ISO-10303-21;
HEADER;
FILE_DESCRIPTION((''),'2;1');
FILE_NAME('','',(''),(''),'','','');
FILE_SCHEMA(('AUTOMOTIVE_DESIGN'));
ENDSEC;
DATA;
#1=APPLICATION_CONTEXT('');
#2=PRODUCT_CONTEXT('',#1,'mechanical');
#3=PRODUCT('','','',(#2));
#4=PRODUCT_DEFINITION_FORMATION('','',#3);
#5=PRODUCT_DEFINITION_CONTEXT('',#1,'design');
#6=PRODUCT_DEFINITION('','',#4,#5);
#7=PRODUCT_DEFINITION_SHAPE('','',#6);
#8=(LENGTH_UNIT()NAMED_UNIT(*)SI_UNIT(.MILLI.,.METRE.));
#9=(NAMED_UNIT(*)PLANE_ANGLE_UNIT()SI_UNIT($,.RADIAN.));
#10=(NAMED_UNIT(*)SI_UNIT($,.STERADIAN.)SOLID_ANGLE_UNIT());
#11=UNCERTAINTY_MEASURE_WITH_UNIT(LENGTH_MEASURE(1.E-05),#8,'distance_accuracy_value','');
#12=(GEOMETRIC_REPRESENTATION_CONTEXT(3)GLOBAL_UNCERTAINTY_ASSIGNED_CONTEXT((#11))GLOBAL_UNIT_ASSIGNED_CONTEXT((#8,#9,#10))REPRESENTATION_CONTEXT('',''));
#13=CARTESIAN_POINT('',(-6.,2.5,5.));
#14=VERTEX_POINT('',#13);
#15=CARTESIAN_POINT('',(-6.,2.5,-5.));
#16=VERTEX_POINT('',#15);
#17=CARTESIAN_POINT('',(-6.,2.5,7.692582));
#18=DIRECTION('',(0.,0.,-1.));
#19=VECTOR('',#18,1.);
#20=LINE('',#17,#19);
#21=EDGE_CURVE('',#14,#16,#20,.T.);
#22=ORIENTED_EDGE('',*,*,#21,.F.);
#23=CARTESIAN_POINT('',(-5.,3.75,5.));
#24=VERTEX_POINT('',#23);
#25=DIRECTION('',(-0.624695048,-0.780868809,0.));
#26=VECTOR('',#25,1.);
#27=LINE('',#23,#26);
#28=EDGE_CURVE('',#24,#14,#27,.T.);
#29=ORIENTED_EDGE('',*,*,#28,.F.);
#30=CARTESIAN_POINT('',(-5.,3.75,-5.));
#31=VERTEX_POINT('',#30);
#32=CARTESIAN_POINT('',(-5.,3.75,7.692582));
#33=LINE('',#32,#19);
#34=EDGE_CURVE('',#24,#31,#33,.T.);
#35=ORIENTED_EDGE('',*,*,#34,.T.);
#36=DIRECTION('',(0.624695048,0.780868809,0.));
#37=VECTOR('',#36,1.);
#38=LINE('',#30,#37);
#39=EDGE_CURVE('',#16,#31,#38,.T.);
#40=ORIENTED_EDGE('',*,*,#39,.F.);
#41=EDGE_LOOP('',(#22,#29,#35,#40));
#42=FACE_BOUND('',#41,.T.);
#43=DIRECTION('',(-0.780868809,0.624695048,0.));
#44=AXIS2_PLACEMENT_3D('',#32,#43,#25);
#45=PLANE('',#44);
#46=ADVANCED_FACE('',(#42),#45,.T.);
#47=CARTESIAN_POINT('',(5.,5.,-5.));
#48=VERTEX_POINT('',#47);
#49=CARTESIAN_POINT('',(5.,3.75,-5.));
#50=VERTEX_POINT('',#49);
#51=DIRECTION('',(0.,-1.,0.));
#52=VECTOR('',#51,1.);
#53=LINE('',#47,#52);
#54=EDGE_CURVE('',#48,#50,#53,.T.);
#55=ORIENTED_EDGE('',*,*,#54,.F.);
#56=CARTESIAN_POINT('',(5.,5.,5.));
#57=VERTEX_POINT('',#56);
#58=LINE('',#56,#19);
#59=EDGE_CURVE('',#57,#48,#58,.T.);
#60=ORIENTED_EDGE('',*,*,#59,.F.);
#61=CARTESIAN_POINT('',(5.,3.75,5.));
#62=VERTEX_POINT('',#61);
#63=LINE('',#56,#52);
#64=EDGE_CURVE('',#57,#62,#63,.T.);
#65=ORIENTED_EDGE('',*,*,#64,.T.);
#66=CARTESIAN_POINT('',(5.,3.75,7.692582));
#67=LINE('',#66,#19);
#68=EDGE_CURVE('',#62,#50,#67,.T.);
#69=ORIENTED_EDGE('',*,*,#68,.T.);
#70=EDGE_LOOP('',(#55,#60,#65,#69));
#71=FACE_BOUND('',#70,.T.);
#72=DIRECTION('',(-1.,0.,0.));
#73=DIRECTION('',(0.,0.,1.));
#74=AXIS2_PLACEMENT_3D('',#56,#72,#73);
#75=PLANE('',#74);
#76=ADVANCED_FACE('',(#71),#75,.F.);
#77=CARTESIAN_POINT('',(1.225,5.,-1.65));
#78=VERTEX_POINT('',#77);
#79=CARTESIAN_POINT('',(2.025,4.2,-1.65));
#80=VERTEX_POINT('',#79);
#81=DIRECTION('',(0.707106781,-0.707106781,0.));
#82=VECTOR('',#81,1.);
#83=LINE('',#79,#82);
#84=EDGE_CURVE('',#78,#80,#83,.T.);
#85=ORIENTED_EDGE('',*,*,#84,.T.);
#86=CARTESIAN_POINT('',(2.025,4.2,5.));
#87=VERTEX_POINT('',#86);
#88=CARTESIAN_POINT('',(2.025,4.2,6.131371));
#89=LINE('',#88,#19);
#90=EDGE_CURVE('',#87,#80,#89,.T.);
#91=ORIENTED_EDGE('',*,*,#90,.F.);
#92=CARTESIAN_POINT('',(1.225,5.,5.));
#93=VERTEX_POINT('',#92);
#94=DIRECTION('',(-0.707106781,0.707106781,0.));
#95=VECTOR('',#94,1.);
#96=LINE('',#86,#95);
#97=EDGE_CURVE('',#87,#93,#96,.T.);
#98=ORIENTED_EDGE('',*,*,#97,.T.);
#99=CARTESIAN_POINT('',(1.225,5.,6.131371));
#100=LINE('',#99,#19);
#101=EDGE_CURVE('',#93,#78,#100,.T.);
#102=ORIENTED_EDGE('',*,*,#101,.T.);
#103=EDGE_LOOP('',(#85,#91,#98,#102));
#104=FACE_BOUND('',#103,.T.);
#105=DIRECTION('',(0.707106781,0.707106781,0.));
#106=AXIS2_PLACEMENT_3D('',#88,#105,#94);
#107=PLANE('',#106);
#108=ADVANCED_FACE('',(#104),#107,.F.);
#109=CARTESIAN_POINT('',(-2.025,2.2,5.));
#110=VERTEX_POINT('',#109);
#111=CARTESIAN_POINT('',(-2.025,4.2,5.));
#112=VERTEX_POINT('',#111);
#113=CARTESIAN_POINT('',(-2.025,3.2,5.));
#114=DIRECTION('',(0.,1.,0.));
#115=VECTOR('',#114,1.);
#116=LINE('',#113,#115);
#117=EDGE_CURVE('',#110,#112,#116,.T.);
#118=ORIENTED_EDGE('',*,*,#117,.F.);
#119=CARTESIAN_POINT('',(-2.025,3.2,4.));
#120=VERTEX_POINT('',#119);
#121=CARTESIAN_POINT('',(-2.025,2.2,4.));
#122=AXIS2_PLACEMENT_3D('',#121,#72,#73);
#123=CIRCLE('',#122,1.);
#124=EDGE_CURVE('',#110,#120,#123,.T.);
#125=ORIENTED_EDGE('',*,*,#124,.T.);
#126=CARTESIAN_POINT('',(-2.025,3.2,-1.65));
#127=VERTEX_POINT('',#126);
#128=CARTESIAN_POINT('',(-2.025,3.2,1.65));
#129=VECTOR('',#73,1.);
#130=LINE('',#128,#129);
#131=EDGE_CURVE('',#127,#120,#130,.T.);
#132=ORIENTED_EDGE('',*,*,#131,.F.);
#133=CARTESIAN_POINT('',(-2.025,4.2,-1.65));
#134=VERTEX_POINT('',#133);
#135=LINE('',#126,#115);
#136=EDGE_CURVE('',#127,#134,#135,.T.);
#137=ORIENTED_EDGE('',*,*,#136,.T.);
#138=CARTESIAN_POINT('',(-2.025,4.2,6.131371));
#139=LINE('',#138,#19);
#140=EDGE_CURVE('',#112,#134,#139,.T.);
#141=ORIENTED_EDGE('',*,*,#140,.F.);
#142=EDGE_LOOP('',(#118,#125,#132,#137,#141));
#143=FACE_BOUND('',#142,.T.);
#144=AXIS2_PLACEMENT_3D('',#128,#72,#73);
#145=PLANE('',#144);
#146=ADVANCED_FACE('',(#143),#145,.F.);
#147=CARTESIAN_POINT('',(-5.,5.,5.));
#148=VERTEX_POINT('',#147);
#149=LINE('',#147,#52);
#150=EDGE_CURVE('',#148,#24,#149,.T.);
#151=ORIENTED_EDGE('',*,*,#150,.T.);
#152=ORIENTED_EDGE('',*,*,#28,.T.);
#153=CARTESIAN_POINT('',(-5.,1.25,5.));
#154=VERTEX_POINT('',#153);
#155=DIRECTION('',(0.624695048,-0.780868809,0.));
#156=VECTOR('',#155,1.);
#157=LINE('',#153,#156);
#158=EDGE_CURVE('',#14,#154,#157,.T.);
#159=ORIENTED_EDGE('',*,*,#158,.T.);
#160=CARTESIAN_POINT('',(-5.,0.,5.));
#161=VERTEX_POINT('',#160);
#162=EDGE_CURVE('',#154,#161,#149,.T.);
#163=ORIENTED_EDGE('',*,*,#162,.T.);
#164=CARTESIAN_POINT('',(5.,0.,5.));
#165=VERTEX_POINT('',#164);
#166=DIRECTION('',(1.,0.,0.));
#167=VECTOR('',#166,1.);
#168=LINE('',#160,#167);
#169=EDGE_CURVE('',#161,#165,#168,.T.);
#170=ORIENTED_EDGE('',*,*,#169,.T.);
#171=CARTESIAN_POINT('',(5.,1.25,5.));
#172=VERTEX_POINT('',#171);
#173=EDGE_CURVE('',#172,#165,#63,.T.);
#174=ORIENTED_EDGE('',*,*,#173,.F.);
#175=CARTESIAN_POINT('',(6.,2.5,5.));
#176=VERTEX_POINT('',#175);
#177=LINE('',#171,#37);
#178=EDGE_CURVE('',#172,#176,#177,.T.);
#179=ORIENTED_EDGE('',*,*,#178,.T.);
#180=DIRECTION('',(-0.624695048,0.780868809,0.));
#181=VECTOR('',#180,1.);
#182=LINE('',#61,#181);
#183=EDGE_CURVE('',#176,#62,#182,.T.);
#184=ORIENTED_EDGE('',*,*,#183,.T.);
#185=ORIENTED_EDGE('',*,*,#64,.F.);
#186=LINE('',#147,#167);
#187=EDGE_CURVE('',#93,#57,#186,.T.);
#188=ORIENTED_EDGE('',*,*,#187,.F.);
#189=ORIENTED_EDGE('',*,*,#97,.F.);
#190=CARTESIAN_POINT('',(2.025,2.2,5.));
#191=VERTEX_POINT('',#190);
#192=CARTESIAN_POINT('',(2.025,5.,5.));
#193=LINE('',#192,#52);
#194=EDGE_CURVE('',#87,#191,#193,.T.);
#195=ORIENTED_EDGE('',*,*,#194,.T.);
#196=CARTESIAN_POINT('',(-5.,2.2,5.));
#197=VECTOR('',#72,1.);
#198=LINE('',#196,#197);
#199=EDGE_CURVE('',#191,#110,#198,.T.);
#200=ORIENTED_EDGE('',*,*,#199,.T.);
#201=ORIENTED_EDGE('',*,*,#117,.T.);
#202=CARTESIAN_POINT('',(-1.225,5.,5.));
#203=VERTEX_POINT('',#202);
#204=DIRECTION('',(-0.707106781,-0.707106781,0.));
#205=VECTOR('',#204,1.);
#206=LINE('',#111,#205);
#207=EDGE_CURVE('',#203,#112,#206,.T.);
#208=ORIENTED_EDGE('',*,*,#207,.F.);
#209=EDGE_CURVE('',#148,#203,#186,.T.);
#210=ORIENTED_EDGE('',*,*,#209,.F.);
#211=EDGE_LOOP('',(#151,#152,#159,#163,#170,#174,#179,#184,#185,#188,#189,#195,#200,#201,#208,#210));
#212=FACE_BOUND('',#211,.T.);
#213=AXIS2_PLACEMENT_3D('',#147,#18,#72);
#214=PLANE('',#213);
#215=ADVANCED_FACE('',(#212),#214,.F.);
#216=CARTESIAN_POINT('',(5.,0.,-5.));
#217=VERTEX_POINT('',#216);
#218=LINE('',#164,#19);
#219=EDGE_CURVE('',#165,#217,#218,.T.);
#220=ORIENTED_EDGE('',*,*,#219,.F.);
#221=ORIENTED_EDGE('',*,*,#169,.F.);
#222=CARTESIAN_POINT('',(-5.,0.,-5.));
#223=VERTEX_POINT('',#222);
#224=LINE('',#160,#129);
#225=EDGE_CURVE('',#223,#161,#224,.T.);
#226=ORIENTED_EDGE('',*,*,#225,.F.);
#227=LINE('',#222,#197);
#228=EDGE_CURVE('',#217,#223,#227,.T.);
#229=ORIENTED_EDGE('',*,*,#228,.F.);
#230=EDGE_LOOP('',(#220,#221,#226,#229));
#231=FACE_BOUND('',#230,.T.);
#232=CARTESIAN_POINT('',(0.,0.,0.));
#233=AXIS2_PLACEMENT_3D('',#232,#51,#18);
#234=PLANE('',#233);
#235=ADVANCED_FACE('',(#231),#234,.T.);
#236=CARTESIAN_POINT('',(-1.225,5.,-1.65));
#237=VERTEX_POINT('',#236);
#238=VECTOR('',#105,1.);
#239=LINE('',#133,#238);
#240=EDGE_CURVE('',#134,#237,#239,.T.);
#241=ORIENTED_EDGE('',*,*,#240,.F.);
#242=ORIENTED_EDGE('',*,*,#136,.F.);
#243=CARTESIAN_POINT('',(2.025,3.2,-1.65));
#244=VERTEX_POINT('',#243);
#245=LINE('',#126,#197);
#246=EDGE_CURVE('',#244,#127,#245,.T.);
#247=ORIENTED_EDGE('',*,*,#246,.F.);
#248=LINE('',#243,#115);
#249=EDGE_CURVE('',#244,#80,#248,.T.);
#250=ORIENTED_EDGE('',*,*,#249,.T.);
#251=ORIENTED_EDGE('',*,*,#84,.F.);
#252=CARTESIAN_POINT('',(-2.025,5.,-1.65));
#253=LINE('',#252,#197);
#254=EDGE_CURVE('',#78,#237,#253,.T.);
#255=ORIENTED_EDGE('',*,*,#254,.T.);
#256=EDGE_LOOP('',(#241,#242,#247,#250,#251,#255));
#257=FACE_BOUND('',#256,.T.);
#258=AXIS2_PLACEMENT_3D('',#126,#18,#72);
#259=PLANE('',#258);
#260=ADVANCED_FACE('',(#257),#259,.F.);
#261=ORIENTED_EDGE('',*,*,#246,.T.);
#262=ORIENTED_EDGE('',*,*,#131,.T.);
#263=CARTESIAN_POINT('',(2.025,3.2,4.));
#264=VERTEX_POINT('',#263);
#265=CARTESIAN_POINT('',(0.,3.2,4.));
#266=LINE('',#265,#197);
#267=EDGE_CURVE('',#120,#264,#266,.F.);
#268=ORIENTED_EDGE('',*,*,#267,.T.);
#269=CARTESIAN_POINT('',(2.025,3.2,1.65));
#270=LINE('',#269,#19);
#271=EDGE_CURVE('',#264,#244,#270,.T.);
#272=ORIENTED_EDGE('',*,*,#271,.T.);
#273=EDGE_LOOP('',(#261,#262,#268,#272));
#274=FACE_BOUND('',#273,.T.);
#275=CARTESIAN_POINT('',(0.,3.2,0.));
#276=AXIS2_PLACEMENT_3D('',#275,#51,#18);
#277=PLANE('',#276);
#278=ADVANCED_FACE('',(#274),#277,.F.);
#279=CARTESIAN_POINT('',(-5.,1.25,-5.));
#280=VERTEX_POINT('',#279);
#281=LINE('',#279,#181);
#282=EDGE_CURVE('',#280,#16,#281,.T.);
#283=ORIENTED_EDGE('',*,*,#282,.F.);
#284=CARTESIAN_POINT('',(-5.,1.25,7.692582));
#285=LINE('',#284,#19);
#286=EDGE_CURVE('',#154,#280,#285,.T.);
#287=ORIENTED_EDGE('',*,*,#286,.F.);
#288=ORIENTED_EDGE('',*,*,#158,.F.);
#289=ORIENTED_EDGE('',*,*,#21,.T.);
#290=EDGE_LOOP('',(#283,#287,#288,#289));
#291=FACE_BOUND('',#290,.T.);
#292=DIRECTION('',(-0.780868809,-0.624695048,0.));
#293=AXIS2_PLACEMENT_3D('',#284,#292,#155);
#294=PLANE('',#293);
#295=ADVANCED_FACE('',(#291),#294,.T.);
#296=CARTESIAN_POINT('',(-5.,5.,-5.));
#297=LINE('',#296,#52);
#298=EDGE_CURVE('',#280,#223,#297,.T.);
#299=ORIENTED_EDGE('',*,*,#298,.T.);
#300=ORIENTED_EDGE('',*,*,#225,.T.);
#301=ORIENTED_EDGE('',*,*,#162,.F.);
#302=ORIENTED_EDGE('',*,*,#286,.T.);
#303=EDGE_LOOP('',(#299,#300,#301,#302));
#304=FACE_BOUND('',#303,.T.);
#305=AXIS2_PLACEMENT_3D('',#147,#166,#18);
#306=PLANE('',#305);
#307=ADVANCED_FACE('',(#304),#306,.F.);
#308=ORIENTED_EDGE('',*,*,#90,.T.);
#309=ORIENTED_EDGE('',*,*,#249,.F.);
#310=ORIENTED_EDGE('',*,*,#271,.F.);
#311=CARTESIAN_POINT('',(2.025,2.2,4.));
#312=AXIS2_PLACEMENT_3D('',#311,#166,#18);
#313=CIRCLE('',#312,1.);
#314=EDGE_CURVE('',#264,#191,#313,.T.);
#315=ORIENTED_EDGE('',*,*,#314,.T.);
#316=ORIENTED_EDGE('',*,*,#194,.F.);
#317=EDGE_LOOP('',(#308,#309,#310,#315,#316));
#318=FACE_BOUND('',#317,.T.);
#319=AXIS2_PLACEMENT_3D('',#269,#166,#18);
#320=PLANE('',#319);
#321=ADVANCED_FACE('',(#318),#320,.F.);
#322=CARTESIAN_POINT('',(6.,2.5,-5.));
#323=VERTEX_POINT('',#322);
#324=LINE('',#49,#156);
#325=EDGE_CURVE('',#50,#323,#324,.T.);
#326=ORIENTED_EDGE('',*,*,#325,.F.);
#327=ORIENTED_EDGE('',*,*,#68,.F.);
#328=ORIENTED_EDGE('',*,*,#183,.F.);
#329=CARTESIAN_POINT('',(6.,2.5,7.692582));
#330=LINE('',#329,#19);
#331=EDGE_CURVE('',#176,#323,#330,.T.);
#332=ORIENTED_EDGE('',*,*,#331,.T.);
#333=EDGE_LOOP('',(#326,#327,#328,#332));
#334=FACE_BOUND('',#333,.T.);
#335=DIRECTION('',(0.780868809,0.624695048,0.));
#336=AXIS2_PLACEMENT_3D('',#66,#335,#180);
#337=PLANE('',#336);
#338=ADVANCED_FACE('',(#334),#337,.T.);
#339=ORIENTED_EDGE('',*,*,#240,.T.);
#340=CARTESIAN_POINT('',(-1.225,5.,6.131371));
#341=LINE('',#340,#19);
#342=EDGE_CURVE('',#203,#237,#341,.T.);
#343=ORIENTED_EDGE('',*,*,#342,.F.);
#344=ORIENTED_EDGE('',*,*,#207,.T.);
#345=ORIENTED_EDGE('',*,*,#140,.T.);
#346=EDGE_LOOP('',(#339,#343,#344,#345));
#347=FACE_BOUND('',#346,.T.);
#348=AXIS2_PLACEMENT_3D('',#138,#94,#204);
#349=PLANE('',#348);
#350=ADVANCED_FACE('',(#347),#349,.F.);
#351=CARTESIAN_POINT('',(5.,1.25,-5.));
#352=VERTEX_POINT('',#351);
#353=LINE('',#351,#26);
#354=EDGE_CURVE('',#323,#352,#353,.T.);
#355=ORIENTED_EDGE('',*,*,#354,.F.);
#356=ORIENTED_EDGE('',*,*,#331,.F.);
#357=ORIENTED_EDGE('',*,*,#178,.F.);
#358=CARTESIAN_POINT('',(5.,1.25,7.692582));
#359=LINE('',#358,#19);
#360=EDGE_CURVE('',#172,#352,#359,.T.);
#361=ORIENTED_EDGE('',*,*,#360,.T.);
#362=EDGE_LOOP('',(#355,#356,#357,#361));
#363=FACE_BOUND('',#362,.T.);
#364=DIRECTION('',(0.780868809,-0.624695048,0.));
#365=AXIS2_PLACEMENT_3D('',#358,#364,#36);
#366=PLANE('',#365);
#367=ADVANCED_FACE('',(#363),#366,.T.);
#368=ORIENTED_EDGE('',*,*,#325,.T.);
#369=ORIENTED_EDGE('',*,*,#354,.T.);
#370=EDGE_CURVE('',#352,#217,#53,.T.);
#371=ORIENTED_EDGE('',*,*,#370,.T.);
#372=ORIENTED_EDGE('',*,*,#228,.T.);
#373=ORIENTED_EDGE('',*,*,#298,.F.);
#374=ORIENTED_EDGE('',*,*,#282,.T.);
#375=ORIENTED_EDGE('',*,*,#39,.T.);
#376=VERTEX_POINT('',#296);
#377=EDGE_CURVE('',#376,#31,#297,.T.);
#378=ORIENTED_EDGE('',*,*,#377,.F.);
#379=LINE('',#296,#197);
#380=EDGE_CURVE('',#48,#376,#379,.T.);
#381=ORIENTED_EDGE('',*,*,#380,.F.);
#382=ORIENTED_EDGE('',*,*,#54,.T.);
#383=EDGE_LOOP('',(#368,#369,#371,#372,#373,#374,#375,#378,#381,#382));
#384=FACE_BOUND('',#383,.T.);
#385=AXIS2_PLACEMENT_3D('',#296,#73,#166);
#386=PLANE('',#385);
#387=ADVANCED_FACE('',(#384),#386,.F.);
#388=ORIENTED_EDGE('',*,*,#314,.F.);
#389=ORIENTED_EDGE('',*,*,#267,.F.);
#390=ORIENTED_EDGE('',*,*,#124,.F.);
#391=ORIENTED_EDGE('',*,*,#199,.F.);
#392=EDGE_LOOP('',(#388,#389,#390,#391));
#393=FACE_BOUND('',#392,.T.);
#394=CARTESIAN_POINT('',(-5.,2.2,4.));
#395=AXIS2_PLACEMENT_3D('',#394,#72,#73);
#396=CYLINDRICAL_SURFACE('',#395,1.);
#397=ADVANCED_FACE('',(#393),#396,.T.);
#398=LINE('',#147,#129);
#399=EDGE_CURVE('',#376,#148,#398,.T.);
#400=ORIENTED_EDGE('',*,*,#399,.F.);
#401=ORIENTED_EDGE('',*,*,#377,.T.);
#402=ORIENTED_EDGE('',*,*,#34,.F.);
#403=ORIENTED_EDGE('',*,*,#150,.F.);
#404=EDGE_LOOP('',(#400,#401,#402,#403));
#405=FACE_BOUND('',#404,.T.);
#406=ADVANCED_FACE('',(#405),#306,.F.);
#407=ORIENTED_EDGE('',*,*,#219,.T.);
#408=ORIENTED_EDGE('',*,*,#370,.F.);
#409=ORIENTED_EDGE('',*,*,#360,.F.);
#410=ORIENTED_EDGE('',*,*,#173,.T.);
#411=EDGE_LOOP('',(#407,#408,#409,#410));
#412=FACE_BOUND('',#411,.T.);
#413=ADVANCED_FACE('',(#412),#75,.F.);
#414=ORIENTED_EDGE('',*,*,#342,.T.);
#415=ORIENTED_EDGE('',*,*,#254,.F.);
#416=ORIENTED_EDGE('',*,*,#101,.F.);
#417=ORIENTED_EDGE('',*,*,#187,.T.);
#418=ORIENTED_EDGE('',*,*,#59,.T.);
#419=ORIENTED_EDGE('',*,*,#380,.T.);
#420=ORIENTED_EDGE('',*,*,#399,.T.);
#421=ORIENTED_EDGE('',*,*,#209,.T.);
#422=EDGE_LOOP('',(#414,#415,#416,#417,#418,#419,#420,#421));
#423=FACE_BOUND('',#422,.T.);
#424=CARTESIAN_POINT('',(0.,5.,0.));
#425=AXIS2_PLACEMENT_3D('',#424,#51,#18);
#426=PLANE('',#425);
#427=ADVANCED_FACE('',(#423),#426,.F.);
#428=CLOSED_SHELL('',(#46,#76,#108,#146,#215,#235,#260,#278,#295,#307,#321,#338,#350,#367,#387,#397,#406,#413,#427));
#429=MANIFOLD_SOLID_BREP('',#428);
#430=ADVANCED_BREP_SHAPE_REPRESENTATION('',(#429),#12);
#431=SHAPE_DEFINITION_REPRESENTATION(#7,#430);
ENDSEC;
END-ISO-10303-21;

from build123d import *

# Parameters (mm, degrees)
SKETCH_1_W          = 10
SKETCH_1_H          = 10
EXTRUDE_1_DEPTH     = 5
EXTRUDE_2_DEPTH     = 10
SKETCH_3_W          = 4.05
SKETCH_3_H          = 3.3
CUT_EXTRUDE_1_DEPTH = 1.8
SKETCH_4_W          = 4.05
SKETCH_4_H          = 1.8
CUT_EXTRUDE_2_DEPTH = 11.257801909
FILLET_1_R          = 1
EXTRUDE_3_DEPTH     = 6.65


with BuildPart() as part:
    # 草图1 → 凸台-拉伸1 (new body)
    with BuildSketch(Plane(origin=(0, 0, 0), x_dir=(1, 0, 0), z_dir=(0, 1, 0))):
        Rectangle(SKETCH_1_W, SKETCH_1_H)
    extrude(amount=EXTRUDE_1_DEPTH)

    # 草图2 → 凸台-拉伸2 (add)
    with BuildSketch(Plane(origin=(0, 0, -5), x_dir=(-1, 0, 0), z_dir=(0, 0, -1))):
        Polygon((5, 1.25), (5, 3.75), (6, 2.5), align=None)
        Polygon((-5, 1.25), (-5, 3.75), (-6, 2.5), align=None)
    extrude(amount=-EXTRUDE_2_DEPTH)

    # 草图3 → 切除-拉伸1 (cut)
    with BuildSketch(Plane(origin=(0, 5, 0), x_dir=(1, 0, 0), z_dir=(0, 1, 0))):
        Rectangle(SKETCH_3_W, SKETCH_3_H)
    extrude(amount=-CUT_EXTRUDE_1_DEPTH, mode=Mode.SUBTRACT)

    # 草图4 → 切除-拉伸2 (cut, through all)
    with BuildSketch(Plane(origin=(0, 0, 1.65), x_dir=(-1, 0, 0), z_dir=(0, 0, -1))):
        with Locations((0, 4.1)):
            Rectangle(SKETCH_4_W, SKETCH_4_H)
    extrude(amount=-CUT_EXTRUDE_2_DEPTH, mode=Mode.SUBTRACT)

    # 圆角1
    fillet_1_edges = [part.edges().sort_by_distance(p)[0] for p in [
        (0, 3.2, 5),
    ]]
    fillet(fillet_1_edges, radius=FILLET_1_R)

    # 草图5 → 凸台-拉伸3 (add)
    with BuildSketch(Plane.XY.offset(-1.65)):
        Polygon((2.025, 5), (2.025, 4.2), (1.225, 5), align=None)
        Polygon((-2.025, 4.2), (-1.225, 5), (-2.025, 5), align=None)
    extrude(amount=EXTRUDE_3_DEPTH)


solid = part.part
